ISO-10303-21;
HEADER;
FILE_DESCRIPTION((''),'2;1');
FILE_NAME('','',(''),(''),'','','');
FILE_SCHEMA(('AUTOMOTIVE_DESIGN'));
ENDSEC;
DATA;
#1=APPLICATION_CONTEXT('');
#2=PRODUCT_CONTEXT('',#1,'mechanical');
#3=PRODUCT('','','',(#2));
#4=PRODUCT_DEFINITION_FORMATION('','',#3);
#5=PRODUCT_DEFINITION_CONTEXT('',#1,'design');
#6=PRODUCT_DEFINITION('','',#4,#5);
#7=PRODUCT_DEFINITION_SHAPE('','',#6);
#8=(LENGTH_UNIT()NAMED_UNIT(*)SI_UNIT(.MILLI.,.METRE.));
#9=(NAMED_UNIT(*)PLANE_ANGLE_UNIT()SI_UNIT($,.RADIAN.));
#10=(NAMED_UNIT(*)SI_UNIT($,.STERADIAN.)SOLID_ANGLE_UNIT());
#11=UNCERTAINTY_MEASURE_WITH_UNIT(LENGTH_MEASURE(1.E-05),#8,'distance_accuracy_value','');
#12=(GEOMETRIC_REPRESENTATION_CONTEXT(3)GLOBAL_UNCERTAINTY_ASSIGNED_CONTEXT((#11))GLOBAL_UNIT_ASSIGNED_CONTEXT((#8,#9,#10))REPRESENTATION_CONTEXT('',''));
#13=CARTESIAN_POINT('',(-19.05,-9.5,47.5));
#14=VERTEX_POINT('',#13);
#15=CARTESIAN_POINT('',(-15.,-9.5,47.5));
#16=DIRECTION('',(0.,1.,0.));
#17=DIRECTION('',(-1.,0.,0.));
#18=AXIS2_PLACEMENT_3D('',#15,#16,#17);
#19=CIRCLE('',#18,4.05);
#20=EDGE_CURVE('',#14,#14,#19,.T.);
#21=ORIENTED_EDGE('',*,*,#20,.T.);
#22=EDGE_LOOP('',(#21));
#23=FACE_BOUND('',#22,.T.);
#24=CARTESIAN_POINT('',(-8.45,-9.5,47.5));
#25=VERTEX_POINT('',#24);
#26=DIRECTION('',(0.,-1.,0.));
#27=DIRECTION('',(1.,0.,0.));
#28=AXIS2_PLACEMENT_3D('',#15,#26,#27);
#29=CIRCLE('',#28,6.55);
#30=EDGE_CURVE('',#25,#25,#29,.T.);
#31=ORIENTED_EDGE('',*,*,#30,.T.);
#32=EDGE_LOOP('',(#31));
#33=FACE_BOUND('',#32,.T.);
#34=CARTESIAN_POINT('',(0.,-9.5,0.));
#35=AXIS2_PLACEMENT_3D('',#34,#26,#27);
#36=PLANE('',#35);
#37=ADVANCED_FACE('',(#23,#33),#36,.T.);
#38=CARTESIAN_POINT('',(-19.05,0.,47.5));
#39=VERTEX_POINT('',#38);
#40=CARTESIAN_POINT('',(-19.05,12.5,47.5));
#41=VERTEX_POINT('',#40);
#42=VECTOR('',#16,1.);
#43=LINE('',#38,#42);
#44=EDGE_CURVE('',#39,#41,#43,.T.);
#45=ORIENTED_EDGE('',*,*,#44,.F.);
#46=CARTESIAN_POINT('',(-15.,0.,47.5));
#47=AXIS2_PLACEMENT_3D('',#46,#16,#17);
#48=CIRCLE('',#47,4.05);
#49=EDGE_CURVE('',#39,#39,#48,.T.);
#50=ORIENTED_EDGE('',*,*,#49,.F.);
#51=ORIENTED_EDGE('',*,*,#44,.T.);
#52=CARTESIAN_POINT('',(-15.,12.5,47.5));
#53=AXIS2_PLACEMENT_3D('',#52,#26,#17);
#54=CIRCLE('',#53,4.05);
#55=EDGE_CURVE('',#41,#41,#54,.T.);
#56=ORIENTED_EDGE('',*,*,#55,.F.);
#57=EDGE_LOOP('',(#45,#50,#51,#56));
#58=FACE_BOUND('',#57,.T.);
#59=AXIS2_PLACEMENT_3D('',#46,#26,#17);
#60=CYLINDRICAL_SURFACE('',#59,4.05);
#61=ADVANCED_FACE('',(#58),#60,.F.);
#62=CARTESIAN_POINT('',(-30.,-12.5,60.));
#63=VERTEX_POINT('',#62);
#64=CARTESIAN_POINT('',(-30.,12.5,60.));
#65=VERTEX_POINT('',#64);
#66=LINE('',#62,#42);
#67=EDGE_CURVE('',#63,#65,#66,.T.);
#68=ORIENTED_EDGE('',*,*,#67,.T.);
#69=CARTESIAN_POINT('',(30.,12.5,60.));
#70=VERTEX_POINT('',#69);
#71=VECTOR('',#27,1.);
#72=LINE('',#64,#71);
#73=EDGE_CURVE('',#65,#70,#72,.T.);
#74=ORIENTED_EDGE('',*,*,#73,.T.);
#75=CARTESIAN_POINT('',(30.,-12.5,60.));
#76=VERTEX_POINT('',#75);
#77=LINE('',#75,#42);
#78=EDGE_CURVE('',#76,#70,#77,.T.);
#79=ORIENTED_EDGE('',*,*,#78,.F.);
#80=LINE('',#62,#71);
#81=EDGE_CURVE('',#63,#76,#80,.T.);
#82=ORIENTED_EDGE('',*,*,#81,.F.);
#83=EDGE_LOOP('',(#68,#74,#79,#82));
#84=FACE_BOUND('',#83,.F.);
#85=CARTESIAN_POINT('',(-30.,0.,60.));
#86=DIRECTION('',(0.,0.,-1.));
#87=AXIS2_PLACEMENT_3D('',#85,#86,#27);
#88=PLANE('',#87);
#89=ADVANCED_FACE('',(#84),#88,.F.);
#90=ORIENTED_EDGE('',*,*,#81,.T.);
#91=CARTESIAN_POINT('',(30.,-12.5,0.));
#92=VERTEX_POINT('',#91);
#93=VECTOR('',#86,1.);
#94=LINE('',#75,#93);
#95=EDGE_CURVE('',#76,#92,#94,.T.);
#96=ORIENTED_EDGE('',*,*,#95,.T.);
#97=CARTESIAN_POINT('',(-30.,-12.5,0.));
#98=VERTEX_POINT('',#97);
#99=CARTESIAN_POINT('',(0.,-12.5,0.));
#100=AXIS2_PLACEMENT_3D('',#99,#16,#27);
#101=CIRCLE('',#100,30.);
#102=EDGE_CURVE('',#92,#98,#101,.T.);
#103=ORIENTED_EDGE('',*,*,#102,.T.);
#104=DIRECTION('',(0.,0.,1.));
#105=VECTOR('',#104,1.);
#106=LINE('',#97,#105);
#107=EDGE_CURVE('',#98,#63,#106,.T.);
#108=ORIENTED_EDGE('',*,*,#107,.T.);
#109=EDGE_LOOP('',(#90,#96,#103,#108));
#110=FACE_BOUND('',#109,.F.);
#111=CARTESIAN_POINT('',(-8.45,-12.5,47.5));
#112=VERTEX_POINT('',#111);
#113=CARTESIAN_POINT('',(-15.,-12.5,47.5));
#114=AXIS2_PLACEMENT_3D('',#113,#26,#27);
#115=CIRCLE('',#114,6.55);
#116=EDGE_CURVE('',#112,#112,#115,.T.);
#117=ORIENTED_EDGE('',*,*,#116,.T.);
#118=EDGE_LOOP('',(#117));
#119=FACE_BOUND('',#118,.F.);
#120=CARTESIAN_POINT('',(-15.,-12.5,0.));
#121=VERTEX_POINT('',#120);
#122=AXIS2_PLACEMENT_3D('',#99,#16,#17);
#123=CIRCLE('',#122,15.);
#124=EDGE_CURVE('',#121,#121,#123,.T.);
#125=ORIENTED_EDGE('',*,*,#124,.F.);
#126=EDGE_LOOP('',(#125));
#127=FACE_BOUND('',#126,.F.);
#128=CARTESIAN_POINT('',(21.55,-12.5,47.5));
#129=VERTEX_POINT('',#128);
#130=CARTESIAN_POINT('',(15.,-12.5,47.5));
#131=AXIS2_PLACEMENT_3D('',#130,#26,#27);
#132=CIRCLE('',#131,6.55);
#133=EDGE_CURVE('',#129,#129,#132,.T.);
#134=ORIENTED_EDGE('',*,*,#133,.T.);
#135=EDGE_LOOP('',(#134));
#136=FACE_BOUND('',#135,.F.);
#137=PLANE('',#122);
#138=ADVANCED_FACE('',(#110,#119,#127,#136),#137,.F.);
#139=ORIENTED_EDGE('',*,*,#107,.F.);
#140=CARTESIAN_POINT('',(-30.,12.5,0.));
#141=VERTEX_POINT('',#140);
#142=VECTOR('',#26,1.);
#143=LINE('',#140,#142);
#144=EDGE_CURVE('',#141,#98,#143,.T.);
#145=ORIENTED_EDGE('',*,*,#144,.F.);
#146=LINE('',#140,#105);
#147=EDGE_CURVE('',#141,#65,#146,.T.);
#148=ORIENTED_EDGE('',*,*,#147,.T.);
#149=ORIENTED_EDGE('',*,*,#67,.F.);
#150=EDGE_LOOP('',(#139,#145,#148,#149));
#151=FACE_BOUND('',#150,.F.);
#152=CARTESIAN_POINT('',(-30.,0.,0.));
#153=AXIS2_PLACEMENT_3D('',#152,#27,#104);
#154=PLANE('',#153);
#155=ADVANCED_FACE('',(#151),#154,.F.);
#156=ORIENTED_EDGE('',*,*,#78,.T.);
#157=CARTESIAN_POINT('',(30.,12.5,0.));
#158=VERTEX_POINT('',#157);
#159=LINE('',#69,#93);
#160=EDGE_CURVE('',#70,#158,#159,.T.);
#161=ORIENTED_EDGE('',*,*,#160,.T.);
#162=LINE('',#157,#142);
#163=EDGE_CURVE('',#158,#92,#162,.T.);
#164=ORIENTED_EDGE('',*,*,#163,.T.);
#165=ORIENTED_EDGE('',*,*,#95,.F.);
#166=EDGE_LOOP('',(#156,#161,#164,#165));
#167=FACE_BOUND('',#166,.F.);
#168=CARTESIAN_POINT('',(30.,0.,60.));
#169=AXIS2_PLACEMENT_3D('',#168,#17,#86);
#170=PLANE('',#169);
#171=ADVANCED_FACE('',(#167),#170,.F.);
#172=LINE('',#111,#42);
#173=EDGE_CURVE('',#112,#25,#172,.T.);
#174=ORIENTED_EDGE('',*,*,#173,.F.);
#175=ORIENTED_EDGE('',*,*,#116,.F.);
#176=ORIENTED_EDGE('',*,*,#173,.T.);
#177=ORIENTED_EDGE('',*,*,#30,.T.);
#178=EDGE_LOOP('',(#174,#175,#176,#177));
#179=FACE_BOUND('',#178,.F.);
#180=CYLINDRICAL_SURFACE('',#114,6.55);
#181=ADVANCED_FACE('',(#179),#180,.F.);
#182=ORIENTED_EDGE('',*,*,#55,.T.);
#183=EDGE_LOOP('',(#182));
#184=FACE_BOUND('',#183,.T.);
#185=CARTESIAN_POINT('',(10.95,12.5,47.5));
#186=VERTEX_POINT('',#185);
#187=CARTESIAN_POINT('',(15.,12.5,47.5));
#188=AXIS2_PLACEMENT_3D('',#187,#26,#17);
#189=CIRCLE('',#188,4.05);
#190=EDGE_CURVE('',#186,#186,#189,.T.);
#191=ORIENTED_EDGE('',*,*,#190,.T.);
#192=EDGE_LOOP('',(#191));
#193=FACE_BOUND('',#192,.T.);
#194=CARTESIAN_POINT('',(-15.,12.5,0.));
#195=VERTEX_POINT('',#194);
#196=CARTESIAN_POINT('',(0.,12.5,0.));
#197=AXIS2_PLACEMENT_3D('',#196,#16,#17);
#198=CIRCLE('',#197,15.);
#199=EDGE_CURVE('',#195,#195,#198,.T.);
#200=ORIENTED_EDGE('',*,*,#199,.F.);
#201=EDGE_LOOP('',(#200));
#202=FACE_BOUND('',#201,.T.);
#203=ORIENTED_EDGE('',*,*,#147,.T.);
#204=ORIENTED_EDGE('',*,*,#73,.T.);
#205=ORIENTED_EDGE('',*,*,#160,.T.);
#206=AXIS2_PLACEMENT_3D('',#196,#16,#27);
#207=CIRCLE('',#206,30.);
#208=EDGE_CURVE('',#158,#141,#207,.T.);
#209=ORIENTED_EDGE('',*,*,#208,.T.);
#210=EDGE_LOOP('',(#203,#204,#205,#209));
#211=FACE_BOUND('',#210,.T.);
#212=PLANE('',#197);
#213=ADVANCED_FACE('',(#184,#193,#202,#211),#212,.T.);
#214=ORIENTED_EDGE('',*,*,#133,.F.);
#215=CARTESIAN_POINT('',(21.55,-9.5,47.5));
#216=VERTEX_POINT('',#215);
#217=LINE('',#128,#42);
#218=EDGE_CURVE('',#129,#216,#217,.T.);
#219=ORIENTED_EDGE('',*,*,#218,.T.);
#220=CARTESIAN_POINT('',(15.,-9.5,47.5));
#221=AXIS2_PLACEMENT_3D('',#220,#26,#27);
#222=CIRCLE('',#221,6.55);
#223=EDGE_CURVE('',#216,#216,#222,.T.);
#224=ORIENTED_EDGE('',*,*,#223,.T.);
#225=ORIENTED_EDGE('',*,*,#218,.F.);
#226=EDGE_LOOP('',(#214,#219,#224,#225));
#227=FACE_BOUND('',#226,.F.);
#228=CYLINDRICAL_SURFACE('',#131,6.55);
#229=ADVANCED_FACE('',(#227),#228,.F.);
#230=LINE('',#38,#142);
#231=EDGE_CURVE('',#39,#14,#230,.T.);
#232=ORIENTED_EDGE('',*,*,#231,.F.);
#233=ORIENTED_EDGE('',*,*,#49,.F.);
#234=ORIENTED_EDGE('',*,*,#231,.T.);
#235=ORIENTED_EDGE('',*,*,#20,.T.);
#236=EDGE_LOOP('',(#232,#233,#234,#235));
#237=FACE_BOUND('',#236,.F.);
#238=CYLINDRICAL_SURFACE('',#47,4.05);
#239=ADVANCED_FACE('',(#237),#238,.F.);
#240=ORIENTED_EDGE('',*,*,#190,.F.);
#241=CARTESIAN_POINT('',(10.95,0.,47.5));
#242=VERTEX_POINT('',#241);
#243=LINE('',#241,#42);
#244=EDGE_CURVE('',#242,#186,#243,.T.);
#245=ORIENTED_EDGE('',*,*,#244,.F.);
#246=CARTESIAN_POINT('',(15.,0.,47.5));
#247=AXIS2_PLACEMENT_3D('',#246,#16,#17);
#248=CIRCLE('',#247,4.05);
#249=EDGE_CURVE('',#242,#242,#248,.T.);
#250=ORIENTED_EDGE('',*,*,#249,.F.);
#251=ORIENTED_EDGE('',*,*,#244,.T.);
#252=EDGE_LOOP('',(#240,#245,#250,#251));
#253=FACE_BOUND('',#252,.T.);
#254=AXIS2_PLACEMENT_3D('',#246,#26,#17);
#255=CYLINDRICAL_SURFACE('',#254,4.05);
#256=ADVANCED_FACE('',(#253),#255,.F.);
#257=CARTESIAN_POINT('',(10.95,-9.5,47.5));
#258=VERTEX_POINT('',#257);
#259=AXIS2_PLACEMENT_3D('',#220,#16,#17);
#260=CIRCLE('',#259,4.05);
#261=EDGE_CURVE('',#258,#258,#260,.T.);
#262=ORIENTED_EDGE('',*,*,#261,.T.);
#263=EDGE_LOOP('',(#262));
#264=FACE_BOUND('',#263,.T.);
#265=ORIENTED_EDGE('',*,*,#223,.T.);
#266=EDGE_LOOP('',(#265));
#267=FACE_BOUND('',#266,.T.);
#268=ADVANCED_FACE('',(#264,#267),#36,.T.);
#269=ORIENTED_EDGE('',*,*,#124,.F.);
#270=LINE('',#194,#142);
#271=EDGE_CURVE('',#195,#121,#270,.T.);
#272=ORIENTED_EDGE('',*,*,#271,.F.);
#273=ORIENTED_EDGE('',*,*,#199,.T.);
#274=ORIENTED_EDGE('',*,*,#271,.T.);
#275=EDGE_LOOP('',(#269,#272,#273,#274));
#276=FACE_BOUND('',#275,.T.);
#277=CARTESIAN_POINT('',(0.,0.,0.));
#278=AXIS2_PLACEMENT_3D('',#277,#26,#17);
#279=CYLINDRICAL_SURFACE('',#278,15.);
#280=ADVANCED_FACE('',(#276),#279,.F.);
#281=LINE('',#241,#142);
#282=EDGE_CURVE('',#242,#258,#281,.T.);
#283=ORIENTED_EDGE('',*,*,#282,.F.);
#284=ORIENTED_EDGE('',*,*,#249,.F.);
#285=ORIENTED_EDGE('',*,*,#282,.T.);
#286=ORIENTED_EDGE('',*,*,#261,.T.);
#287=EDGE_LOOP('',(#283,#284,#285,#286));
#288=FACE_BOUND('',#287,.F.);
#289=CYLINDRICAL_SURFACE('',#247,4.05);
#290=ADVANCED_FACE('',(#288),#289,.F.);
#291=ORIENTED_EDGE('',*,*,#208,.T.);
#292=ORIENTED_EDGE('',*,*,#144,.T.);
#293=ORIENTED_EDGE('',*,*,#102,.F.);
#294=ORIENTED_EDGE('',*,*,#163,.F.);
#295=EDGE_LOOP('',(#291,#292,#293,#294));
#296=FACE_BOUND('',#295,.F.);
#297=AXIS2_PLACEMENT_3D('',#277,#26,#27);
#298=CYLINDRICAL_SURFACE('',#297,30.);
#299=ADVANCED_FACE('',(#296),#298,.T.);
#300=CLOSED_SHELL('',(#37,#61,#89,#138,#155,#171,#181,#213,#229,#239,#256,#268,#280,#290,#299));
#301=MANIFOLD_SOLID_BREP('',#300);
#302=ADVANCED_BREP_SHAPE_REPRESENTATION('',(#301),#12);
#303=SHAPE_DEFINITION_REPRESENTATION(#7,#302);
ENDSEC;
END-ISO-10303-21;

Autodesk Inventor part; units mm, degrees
ref_plane "YZ Plane" through (0, 0, 0) normal (1, 0, 0) x (0, 1, 0)
ref_plane "XZ Plane" through (0, 0, 0) normal (0, 1, 0) x (-1, 0, 0)
ref_plane "XY Plane" through (0, 0, 0) normal (0, 0, 1) x (1, 0, 0)
sketch "Sketch1" plane through (0, 0, 0) normal (0, 1, 0) x (-1, 0, 0)
  line L0 (30, 60) -> (-30, 60)
  line L1 (-30, 60) -> (-30, 0)
  arc A0 (-30, 0) -> (30, 0) centre (0, 0) ccw
  line L2 (30, 0) -> (30, 60)
  circle A1 centre (0, 0) radius 15
  dimension "d0" = 60
  dimension "d1" = 60
  dimension "d2" = 30
extrude "Extrusion1" add sketch "Sketch1" along normal mid plane 25
sketch "Sketch2" plane through (0, 0, 0) normal (0, 1, 0) x (-1, 0, 0)
  line L0 (-30, 0) -> (-30, 60) construction
  line L1 (-30, 60) -> (30, 60) construction
  line L2 (30, 60) -> (30, 0) construction
  arc A0 (-30, 0) -> (30, 0) centre (0, 0) ccw construction
  circle A1 centre (0, 0) radius 15 construction
  line L3 (30, 60) -> (30, 0) construction
  line L4 (30, 35) -> (-30, 35) construction
  circle A2 centre (15, 47.5) radius 4.05
  line L5 (0, 35) -> (0, 60) construction
  circle A3 centre (-15, 47.5) radius 4.05
  point P0 (0, -30)
  point P1 (0, 47.5)
  dimension "d5" = 65
  dimension "d6" = 8.1
  dimension "d7" = 30
extrude "Extrusion2" cut sketch "Sketch2" along normal through all both and the other way through all
sketch "Sketch3" plane through (0, -12.5, 0) normal (0, -1, 0) x (1, 0, 0)
  circle A0 centre (-15, 47.5) radius 4.05 construction
  circle A1 centre (15, 47.5) radius 4.05 construction
  line L0 (30, 0) -> (30, 60) construction
  line L1 (30, 60) -> (-30, 60) construction
  line L2 (-30, 60) -> (-30, 0) construction
  arc A2 (-30, 0) -> (30, 0) centre (0, 0) ccw construction
  circle A3 centre (0, 0) radius 15 construction
  circle A4 centre (-15, 47.5) radius 6.55
  circle A5 centre (15, 47.5) radius 4.05 projected
  circle A6 centre (15, 47.5) radius 6.55
  dimension "d10" = 13.1
  dimension "d11" = 13.1
extrude "Extrusion3" cut sketch "Sketch3" against normal blind 3 contours A4 | A5 | A6
properties part number "element1_obj4"
